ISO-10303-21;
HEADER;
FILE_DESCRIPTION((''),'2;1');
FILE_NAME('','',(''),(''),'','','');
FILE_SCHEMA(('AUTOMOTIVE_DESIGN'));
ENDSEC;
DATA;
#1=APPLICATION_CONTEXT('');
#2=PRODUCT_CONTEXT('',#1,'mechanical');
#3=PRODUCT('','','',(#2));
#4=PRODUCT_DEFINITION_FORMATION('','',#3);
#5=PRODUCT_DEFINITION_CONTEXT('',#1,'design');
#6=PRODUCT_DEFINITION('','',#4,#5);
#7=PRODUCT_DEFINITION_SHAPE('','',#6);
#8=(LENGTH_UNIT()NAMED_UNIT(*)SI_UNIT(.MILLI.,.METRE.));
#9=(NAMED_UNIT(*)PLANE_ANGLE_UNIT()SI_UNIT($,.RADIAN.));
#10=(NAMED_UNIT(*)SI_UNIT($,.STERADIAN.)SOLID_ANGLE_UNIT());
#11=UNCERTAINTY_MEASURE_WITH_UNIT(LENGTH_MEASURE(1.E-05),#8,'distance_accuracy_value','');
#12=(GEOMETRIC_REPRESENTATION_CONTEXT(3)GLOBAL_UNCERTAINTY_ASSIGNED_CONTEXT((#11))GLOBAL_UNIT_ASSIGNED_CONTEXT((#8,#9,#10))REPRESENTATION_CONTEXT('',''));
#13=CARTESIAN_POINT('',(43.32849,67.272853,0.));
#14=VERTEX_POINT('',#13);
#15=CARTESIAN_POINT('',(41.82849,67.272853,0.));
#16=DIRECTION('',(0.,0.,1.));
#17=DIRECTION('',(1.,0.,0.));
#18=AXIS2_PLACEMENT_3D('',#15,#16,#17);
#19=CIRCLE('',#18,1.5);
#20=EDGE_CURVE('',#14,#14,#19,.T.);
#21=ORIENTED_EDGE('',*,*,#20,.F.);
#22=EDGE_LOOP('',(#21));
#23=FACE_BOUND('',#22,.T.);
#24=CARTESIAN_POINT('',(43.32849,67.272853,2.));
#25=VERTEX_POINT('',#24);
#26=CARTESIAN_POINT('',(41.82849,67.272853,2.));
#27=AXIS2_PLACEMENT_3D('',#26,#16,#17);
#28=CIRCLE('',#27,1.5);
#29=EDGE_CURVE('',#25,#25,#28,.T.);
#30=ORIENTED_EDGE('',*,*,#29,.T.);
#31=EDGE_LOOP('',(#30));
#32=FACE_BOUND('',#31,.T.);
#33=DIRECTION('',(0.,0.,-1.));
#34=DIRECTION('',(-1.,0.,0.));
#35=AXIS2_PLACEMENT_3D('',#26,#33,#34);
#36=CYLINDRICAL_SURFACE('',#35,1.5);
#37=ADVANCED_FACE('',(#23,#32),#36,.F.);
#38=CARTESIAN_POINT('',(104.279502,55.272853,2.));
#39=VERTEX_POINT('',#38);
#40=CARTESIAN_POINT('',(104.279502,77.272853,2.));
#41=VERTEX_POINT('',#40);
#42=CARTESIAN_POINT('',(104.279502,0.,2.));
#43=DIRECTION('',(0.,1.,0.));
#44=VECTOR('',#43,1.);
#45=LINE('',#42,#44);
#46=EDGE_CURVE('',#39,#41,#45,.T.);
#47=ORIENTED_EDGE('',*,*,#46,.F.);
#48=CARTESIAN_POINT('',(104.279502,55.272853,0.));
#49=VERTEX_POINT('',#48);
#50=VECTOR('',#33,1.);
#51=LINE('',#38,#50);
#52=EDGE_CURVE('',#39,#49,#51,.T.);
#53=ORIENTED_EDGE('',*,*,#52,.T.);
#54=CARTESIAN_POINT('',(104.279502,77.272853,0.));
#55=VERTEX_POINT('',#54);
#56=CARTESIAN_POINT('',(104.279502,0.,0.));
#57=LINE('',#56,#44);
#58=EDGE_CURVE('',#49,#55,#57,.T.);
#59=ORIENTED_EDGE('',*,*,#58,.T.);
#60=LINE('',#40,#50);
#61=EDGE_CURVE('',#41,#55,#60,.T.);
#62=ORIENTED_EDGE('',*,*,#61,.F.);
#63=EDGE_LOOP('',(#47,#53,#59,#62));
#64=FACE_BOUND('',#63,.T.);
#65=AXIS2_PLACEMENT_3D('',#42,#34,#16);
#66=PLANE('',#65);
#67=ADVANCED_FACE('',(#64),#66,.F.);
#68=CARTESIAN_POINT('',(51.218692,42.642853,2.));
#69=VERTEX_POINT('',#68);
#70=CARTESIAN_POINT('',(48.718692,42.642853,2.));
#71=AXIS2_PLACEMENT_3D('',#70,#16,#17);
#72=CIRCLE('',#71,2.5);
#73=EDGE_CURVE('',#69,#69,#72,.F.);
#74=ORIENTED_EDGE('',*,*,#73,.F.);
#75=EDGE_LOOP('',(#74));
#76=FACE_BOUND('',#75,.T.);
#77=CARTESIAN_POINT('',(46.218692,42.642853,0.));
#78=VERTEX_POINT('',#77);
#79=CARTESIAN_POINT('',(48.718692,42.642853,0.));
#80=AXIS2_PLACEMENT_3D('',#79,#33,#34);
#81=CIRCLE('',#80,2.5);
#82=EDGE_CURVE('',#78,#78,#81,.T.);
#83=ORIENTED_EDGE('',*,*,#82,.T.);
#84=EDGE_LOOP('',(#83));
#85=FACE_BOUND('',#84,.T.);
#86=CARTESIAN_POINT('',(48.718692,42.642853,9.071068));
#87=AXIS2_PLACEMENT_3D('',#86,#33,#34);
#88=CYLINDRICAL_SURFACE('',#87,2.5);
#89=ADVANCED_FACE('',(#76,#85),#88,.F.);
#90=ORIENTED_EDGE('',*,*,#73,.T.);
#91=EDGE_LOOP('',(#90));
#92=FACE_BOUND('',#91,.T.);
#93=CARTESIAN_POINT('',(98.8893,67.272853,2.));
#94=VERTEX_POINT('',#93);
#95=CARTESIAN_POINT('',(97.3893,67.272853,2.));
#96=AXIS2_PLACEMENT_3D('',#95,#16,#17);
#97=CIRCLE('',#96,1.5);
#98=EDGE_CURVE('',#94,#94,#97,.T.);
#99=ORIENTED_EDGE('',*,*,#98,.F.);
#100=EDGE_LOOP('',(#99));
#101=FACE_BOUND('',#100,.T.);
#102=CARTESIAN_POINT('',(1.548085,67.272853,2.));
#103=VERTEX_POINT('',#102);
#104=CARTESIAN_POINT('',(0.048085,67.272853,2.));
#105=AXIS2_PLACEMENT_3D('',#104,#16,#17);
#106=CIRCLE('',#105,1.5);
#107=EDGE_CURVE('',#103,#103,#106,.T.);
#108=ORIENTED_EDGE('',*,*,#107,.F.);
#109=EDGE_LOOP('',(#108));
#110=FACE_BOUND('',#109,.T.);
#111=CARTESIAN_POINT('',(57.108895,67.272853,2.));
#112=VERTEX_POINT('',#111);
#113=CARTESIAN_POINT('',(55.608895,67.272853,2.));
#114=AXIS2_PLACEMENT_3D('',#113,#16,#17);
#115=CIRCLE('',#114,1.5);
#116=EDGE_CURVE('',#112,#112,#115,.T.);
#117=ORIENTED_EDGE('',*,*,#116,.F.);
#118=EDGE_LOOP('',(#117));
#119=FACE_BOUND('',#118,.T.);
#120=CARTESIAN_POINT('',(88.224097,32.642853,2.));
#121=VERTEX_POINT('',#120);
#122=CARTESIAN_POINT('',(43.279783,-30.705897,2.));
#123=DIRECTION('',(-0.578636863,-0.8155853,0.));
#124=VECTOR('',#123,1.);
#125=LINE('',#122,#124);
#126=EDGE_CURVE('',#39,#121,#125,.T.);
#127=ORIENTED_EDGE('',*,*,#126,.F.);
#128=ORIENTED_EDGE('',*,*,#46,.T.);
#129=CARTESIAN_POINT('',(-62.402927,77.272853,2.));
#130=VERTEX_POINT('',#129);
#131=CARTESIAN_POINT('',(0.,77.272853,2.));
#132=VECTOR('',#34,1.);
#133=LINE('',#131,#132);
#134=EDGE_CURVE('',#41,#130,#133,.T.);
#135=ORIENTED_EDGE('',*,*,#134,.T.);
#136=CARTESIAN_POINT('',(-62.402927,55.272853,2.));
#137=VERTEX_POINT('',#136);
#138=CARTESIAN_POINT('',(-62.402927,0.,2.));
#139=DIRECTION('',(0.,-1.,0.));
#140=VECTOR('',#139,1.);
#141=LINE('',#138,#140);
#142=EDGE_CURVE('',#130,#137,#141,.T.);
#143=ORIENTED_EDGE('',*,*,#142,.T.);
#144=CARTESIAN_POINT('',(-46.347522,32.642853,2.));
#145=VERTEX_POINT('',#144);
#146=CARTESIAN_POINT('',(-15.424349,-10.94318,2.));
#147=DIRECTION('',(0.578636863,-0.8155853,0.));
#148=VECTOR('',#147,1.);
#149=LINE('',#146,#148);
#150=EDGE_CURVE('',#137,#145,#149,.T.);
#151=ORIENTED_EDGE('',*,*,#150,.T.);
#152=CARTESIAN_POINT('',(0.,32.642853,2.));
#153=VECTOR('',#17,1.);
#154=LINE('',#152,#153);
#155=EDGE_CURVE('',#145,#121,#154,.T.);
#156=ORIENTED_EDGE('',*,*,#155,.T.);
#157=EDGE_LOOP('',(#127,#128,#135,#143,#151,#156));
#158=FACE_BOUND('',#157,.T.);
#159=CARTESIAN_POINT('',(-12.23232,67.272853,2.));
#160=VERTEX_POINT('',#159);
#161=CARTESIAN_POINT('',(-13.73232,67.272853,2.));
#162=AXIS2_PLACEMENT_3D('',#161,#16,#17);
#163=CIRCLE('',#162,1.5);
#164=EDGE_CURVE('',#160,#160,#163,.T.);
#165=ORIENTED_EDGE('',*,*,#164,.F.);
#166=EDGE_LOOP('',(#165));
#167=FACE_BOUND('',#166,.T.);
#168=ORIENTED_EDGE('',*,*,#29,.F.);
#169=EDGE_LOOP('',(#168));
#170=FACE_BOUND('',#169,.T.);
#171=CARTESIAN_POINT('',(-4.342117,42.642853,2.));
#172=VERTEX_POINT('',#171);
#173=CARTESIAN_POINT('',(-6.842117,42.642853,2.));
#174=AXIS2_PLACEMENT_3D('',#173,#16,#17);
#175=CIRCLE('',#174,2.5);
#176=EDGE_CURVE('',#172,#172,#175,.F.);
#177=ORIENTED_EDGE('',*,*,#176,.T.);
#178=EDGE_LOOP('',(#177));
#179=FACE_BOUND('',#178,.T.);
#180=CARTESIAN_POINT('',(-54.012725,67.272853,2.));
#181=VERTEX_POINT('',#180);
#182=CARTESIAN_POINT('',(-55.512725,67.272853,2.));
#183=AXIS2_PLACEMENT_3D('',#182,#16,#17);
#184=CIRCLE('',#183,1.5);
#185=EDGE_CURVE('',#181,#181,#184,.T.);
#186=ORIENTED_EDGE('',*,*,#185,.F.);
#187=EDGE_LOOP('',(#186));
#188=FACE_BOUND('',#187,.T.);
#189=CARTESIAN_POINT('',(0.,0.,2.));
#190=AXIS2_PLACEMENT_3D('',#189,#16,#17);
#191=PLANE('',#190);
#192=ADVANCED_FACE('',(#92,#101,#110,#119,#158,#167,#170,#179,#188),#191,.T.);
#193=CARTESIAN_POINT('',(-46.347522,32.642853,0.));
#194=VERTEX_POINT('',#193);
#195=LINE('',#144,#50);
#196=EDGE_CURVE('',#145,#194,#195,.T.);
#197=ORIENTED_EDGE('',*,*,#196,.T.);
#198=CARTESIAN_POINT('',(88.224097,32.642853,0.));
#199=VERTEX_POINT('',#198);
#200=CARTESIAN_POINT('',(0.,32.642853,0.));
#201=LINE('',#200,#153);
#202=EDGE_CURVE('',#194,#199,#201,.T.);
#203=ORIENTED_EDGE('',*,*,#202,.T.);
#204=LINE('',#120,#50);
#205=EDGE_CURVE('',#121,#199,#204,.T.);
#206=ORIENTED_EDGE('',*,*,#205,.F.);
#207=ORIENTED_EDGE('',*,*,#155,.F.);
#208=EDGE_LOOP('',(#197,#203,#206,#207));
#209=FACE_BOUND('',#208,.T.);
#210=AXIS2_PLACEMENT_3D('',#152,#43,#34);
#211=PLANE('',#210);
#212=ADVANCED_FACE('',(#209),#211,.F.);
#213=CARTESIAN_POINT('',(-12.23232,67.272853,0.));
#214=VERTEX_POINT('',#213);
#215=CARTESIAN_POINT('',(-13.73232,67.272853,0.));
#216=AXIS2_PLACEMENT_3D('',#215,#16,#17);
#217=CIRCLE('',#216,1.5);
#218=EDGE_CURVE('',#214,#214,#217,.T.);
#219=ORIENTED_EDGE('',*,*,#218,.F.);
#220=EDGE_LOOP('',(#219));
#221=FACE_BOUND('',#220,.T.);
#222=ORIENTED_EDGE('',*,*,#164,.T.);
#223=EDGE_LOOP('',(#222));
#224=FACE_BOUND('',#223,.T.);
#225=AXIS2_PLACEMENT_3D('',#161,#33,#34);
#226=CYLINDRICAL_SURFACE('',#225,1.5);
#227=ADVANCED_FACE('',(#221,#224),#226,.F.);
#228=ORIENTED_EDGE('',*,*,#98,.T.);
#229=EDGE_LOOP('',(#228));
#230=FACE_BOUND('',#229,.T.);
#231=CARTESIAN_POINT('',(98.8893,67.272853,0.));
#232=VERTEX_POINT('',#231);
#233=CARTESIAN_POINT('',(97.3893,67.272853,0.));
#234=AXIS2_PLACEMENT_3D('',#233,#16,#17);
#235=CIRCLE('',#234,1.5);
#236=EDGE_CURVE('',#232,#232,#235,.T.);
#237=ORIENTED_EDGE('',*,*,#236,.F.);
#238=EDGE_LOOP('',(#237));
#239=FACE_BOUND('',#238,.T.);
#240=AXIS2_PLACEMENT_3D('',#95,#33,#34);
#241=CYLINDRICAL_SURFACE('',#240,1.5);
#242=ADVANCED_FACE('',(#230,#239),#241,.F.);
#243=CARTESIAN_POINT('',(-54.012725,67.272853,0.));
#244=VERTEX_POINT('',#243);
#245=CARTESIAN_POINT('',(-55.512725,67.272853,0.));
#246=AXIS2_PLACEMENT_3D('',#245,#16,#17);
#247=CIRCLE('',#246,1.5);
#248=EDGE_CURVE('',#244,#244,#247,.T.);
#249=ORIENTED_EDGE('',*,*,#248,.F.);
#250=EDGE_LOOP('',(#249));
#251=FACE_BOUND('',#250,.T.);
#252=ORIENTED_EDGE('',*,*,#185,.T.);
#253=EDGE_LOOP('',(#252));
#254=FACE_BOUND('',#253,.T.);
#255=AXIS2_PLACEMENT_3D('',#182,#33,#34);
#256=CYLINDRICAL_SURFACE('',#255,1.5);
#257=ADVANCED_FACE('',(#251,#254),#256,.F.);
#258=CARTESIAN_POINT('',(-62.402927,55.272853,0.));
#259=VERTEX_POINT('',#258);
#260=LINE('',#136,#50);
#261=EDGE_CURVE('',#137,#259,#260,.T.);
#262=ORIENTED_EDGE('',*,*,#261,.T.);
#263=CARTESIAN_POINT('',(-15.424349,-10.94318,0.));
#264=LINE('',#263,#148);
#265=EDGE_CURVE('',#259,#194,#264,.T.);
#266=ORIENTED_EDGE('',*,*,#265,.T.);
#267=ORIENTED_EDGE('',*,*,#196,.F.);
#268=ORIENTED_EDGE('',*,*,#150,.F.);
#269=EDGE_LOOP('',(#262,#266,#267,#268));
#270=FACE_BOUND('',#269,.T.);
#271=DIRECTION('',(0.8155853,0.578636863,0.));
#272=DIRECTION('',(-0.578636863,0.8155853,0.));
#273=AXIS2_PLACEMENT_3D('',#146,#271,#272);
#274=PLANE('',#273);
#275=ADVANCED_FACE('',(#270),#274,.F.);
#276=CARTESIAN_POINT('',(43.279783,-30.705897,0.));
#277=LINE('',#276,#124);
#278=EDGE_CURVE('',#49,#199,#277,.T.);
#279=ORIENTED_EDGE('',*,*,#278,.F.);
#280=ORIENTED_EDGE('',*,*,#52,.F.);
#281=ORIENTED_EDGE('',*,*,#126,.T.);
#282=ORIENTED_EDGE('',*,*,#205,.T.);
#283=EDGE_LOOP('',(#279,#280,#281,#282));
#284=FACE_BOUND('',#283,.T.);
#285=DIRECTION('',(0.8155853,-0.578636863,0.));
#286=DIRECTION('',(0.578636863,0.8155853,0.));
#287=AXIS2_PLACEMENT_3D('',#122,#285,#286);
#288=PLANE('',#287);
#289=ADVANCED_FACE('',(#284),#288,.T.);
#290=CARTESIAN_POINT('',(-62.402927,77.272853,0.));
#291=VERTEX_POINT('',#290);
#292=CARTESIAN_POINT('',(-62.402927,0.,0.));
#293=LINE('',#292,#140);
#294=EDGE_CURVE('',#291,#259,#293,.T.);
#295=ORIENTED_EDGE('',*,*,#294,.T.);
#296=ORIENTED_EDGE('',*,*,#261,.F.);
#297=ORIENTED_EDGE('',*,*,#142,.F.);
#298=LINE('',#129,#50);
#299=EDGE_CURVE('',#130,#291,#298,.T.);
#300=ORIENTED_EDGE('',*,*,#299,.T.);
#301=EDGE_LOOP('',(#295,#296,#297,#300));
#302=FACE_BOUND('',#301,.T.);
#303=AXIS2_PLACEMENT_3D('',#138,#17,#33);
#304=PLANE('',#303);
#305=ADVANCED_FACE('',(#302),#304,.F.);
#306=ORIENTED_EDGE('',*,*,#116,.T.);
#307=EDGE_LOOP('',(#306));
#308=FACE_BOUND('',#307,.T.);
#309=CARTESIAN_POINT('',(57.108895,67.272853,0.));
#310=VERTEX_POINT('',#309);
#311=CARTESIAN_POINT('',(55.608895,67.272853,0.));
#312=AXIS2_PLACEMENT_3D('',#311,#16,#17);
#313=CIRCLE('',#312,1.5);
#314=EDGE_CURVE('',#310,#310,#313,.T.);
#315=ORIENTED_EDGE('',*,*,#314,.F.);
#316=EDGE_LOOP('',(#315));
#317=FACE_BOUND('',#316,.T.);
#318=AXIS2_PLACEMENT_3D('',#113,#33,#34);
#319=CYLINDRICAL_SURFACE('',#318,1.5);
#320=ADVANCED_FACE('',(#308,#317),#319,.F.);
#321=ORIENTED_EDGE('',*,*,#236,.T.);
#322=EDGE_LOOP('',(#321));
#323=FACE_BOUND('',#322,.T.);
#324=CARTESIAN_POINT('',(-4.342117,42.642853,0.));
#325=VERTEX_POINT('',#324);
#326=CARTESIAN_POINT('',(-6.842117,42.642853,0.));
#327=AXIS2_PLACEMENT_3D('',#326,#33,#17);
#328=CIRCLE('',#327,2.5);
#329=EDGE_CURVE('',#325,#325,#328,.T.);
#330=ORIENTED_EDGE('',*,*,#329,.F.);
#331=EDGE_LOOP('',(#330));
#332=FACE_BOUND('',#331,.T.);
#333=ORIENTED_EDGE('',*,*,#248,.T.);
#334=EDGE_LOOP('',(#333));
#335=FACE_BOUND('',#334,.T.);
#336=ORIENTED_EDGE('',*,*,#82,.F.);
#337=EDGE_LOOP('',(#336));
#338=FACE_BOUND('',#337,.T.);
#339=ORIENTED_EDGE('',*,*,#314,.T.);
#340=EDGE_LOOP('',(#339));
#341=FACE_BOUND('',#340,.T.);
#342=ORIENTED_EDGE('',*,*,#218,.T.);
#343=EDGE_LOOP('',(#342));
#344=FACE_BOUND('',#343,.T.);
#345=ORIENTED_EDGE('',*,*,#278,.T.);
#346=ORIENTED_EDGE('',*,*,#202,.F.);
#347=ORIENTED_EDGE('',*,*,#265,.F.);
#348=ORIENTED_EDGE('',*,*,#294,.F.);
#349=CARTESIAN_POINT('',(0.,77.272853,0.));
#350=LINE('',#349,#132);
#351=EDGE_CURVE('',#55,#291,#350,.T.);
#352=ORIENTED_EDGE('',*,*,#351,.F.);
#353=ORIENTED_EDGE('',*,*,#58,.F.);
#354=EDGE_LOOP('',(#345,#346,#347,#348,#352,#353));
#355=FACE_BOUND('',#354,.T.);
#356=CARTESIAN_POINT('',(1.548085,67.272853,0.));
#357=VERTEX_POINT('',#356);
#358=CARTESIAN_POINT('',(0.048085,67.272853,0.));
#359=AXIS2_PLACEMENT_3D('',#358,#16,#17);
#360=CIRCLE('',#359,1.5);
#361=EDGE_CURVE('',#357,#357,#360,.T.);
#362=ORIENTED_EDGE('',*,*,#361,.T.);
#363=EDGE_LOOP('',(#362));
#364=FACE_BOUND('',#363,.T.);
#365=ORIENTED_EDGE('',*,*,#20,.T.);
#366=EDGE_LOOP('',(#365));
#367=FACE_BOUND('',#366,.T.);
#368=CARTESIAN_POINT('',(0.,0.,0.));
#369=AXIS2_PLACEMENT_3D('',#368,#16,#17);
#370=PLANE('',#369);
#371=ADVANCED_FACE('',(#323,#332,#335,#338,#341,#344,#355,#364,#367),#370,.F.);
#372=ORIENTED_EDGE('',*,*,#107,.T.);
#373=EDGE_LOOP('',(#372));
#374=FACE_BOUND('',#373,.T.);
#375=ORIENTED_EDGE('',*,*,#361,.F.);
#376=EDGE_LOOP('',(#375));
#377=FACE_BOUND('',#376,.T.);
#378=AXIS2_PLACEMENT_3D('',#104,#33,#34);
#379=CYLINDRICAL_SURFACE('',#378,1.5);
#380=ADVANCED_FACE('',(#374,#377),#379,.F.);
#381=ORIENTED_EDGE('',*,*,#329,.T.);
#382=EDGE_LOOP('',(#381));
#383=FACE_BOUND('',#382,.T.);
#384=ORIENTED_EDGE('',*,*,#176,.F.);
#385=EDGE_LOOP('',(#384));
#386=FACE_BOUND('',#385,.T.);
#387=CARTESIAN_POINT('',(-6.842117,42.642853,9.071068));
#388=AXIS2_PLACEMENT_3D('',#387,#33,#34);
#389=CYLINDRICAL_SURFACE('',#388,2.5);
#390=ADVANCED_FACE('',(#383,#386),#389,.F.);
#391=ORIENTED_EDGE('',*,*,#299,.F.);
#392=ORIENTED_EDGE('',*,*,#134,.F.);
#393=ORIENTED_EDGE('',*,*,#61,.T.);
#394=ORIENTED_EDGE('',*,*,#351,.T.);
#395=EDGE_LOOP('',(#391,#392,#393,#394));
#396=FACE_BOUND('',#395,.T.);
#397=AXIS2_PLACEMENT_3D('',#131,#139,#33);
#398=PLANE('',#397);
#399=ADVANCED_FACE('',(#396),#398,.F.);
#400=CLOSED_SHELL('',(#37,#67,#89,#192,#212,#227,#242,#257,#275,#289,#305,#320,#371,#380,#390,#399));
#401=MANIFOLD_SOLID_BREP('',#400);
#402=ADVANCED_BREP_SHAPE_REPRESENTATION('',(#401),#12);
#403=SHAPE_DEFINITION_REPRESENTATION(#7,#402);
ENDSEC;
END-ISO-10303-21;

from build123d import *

# Parameters (mm, degrees)
SKETCH1_W           = 55.560809748
SKETCH1_H           = 22
SKETCH1_R           = 1.5
BOSS_EXTRUDE1_DEPTH = 2
SKETCH3_R           = 2.5
CUT_EXTRUDE1_DEPTH  = 2


with BuildPart() as part:
    # Sketch1 → Boss-Extrude1 (new body)
    # profile 1 of 4: a face of its own
    with BuildSketch(Plane.XY):
        Polygon((-62.402927025, 55.272853248), (-46.347522151, 32.642853248), (-22.897522151, 32.642853248), (88.224097345, 32.642853248), (104.279502219, 55.272853248), (48.718692471, 55.272853248), (-6.842117277, 55.272853248), align=None)
    # profile 2 of 4: a face of its own
    with BuildSketch(Plane.XY):
        with Locations((-34.622522151, 66.272853248)):
            Rectangle(SKETCH1_W, SKETCH1_H)
        with Locations((-55.512724588, 67.272853248)):
            Circle(SKETCH1_R, mode=Mode.SUBTRACT)
        with Locations((-13.732319714, 67.272853248)):
            Circle(SKETCH1_R, mode=Mode.SUBTRACT)
    # profile 3 of 4: a face of its own
    with BuildSketch(Plane.XY):
        with Locations((20.938287597, 66.272853248)):
            Rectangle(SKETCH1_W, SKETCH1_H)
        with Locations((0.04808516, 67.272853248)):
            Circle(SKETCH1_R, mode=Mode.SUBTRACT)
        with Locations((41.828490034, 67.272853248)):
            Circle(SKETCH1_R, mode=Mode.SUBTRACT)
    # profile 4 of 4: a face of its own
    with BuildSketch(Plane.XY):
        with Locations((76.499097345, 66.272853248)):
            Rectangle(SKETCH1_W, SKETCH1_H)
        with Locations((55.608894908, 67.272853248)):
            Circle(SKETCH1_R, mode=Mode.SUBTRACT)
        with Locations((97.389299782, 67.272853248)):
            Circle(SKETCH1_R, mode=Mode.SUBTRACT)
    extrude(amount=BOSS_EXTRUDE1_DEPTH)

    # Sketch3 → Cut-Extrude1 (cut)
    with BuildSketch(Plane(origin=(0, 0, 0), x_dir=(-1, 0, 0), z_dir=(0, 0, -1))):
        with Locations((-48.718692471, 42.642853248)):
            Circle(SKETCH3_R)
        with Locations(Location((6.842117277, 42.642853248, 0), (0, 0, 180))):
            Circle(SKETCH3_R)
    extrude(amount=-CUT_EXTRUDE1_DEPTH, mode=Mode.SUBTRACT)


solid = part.part
